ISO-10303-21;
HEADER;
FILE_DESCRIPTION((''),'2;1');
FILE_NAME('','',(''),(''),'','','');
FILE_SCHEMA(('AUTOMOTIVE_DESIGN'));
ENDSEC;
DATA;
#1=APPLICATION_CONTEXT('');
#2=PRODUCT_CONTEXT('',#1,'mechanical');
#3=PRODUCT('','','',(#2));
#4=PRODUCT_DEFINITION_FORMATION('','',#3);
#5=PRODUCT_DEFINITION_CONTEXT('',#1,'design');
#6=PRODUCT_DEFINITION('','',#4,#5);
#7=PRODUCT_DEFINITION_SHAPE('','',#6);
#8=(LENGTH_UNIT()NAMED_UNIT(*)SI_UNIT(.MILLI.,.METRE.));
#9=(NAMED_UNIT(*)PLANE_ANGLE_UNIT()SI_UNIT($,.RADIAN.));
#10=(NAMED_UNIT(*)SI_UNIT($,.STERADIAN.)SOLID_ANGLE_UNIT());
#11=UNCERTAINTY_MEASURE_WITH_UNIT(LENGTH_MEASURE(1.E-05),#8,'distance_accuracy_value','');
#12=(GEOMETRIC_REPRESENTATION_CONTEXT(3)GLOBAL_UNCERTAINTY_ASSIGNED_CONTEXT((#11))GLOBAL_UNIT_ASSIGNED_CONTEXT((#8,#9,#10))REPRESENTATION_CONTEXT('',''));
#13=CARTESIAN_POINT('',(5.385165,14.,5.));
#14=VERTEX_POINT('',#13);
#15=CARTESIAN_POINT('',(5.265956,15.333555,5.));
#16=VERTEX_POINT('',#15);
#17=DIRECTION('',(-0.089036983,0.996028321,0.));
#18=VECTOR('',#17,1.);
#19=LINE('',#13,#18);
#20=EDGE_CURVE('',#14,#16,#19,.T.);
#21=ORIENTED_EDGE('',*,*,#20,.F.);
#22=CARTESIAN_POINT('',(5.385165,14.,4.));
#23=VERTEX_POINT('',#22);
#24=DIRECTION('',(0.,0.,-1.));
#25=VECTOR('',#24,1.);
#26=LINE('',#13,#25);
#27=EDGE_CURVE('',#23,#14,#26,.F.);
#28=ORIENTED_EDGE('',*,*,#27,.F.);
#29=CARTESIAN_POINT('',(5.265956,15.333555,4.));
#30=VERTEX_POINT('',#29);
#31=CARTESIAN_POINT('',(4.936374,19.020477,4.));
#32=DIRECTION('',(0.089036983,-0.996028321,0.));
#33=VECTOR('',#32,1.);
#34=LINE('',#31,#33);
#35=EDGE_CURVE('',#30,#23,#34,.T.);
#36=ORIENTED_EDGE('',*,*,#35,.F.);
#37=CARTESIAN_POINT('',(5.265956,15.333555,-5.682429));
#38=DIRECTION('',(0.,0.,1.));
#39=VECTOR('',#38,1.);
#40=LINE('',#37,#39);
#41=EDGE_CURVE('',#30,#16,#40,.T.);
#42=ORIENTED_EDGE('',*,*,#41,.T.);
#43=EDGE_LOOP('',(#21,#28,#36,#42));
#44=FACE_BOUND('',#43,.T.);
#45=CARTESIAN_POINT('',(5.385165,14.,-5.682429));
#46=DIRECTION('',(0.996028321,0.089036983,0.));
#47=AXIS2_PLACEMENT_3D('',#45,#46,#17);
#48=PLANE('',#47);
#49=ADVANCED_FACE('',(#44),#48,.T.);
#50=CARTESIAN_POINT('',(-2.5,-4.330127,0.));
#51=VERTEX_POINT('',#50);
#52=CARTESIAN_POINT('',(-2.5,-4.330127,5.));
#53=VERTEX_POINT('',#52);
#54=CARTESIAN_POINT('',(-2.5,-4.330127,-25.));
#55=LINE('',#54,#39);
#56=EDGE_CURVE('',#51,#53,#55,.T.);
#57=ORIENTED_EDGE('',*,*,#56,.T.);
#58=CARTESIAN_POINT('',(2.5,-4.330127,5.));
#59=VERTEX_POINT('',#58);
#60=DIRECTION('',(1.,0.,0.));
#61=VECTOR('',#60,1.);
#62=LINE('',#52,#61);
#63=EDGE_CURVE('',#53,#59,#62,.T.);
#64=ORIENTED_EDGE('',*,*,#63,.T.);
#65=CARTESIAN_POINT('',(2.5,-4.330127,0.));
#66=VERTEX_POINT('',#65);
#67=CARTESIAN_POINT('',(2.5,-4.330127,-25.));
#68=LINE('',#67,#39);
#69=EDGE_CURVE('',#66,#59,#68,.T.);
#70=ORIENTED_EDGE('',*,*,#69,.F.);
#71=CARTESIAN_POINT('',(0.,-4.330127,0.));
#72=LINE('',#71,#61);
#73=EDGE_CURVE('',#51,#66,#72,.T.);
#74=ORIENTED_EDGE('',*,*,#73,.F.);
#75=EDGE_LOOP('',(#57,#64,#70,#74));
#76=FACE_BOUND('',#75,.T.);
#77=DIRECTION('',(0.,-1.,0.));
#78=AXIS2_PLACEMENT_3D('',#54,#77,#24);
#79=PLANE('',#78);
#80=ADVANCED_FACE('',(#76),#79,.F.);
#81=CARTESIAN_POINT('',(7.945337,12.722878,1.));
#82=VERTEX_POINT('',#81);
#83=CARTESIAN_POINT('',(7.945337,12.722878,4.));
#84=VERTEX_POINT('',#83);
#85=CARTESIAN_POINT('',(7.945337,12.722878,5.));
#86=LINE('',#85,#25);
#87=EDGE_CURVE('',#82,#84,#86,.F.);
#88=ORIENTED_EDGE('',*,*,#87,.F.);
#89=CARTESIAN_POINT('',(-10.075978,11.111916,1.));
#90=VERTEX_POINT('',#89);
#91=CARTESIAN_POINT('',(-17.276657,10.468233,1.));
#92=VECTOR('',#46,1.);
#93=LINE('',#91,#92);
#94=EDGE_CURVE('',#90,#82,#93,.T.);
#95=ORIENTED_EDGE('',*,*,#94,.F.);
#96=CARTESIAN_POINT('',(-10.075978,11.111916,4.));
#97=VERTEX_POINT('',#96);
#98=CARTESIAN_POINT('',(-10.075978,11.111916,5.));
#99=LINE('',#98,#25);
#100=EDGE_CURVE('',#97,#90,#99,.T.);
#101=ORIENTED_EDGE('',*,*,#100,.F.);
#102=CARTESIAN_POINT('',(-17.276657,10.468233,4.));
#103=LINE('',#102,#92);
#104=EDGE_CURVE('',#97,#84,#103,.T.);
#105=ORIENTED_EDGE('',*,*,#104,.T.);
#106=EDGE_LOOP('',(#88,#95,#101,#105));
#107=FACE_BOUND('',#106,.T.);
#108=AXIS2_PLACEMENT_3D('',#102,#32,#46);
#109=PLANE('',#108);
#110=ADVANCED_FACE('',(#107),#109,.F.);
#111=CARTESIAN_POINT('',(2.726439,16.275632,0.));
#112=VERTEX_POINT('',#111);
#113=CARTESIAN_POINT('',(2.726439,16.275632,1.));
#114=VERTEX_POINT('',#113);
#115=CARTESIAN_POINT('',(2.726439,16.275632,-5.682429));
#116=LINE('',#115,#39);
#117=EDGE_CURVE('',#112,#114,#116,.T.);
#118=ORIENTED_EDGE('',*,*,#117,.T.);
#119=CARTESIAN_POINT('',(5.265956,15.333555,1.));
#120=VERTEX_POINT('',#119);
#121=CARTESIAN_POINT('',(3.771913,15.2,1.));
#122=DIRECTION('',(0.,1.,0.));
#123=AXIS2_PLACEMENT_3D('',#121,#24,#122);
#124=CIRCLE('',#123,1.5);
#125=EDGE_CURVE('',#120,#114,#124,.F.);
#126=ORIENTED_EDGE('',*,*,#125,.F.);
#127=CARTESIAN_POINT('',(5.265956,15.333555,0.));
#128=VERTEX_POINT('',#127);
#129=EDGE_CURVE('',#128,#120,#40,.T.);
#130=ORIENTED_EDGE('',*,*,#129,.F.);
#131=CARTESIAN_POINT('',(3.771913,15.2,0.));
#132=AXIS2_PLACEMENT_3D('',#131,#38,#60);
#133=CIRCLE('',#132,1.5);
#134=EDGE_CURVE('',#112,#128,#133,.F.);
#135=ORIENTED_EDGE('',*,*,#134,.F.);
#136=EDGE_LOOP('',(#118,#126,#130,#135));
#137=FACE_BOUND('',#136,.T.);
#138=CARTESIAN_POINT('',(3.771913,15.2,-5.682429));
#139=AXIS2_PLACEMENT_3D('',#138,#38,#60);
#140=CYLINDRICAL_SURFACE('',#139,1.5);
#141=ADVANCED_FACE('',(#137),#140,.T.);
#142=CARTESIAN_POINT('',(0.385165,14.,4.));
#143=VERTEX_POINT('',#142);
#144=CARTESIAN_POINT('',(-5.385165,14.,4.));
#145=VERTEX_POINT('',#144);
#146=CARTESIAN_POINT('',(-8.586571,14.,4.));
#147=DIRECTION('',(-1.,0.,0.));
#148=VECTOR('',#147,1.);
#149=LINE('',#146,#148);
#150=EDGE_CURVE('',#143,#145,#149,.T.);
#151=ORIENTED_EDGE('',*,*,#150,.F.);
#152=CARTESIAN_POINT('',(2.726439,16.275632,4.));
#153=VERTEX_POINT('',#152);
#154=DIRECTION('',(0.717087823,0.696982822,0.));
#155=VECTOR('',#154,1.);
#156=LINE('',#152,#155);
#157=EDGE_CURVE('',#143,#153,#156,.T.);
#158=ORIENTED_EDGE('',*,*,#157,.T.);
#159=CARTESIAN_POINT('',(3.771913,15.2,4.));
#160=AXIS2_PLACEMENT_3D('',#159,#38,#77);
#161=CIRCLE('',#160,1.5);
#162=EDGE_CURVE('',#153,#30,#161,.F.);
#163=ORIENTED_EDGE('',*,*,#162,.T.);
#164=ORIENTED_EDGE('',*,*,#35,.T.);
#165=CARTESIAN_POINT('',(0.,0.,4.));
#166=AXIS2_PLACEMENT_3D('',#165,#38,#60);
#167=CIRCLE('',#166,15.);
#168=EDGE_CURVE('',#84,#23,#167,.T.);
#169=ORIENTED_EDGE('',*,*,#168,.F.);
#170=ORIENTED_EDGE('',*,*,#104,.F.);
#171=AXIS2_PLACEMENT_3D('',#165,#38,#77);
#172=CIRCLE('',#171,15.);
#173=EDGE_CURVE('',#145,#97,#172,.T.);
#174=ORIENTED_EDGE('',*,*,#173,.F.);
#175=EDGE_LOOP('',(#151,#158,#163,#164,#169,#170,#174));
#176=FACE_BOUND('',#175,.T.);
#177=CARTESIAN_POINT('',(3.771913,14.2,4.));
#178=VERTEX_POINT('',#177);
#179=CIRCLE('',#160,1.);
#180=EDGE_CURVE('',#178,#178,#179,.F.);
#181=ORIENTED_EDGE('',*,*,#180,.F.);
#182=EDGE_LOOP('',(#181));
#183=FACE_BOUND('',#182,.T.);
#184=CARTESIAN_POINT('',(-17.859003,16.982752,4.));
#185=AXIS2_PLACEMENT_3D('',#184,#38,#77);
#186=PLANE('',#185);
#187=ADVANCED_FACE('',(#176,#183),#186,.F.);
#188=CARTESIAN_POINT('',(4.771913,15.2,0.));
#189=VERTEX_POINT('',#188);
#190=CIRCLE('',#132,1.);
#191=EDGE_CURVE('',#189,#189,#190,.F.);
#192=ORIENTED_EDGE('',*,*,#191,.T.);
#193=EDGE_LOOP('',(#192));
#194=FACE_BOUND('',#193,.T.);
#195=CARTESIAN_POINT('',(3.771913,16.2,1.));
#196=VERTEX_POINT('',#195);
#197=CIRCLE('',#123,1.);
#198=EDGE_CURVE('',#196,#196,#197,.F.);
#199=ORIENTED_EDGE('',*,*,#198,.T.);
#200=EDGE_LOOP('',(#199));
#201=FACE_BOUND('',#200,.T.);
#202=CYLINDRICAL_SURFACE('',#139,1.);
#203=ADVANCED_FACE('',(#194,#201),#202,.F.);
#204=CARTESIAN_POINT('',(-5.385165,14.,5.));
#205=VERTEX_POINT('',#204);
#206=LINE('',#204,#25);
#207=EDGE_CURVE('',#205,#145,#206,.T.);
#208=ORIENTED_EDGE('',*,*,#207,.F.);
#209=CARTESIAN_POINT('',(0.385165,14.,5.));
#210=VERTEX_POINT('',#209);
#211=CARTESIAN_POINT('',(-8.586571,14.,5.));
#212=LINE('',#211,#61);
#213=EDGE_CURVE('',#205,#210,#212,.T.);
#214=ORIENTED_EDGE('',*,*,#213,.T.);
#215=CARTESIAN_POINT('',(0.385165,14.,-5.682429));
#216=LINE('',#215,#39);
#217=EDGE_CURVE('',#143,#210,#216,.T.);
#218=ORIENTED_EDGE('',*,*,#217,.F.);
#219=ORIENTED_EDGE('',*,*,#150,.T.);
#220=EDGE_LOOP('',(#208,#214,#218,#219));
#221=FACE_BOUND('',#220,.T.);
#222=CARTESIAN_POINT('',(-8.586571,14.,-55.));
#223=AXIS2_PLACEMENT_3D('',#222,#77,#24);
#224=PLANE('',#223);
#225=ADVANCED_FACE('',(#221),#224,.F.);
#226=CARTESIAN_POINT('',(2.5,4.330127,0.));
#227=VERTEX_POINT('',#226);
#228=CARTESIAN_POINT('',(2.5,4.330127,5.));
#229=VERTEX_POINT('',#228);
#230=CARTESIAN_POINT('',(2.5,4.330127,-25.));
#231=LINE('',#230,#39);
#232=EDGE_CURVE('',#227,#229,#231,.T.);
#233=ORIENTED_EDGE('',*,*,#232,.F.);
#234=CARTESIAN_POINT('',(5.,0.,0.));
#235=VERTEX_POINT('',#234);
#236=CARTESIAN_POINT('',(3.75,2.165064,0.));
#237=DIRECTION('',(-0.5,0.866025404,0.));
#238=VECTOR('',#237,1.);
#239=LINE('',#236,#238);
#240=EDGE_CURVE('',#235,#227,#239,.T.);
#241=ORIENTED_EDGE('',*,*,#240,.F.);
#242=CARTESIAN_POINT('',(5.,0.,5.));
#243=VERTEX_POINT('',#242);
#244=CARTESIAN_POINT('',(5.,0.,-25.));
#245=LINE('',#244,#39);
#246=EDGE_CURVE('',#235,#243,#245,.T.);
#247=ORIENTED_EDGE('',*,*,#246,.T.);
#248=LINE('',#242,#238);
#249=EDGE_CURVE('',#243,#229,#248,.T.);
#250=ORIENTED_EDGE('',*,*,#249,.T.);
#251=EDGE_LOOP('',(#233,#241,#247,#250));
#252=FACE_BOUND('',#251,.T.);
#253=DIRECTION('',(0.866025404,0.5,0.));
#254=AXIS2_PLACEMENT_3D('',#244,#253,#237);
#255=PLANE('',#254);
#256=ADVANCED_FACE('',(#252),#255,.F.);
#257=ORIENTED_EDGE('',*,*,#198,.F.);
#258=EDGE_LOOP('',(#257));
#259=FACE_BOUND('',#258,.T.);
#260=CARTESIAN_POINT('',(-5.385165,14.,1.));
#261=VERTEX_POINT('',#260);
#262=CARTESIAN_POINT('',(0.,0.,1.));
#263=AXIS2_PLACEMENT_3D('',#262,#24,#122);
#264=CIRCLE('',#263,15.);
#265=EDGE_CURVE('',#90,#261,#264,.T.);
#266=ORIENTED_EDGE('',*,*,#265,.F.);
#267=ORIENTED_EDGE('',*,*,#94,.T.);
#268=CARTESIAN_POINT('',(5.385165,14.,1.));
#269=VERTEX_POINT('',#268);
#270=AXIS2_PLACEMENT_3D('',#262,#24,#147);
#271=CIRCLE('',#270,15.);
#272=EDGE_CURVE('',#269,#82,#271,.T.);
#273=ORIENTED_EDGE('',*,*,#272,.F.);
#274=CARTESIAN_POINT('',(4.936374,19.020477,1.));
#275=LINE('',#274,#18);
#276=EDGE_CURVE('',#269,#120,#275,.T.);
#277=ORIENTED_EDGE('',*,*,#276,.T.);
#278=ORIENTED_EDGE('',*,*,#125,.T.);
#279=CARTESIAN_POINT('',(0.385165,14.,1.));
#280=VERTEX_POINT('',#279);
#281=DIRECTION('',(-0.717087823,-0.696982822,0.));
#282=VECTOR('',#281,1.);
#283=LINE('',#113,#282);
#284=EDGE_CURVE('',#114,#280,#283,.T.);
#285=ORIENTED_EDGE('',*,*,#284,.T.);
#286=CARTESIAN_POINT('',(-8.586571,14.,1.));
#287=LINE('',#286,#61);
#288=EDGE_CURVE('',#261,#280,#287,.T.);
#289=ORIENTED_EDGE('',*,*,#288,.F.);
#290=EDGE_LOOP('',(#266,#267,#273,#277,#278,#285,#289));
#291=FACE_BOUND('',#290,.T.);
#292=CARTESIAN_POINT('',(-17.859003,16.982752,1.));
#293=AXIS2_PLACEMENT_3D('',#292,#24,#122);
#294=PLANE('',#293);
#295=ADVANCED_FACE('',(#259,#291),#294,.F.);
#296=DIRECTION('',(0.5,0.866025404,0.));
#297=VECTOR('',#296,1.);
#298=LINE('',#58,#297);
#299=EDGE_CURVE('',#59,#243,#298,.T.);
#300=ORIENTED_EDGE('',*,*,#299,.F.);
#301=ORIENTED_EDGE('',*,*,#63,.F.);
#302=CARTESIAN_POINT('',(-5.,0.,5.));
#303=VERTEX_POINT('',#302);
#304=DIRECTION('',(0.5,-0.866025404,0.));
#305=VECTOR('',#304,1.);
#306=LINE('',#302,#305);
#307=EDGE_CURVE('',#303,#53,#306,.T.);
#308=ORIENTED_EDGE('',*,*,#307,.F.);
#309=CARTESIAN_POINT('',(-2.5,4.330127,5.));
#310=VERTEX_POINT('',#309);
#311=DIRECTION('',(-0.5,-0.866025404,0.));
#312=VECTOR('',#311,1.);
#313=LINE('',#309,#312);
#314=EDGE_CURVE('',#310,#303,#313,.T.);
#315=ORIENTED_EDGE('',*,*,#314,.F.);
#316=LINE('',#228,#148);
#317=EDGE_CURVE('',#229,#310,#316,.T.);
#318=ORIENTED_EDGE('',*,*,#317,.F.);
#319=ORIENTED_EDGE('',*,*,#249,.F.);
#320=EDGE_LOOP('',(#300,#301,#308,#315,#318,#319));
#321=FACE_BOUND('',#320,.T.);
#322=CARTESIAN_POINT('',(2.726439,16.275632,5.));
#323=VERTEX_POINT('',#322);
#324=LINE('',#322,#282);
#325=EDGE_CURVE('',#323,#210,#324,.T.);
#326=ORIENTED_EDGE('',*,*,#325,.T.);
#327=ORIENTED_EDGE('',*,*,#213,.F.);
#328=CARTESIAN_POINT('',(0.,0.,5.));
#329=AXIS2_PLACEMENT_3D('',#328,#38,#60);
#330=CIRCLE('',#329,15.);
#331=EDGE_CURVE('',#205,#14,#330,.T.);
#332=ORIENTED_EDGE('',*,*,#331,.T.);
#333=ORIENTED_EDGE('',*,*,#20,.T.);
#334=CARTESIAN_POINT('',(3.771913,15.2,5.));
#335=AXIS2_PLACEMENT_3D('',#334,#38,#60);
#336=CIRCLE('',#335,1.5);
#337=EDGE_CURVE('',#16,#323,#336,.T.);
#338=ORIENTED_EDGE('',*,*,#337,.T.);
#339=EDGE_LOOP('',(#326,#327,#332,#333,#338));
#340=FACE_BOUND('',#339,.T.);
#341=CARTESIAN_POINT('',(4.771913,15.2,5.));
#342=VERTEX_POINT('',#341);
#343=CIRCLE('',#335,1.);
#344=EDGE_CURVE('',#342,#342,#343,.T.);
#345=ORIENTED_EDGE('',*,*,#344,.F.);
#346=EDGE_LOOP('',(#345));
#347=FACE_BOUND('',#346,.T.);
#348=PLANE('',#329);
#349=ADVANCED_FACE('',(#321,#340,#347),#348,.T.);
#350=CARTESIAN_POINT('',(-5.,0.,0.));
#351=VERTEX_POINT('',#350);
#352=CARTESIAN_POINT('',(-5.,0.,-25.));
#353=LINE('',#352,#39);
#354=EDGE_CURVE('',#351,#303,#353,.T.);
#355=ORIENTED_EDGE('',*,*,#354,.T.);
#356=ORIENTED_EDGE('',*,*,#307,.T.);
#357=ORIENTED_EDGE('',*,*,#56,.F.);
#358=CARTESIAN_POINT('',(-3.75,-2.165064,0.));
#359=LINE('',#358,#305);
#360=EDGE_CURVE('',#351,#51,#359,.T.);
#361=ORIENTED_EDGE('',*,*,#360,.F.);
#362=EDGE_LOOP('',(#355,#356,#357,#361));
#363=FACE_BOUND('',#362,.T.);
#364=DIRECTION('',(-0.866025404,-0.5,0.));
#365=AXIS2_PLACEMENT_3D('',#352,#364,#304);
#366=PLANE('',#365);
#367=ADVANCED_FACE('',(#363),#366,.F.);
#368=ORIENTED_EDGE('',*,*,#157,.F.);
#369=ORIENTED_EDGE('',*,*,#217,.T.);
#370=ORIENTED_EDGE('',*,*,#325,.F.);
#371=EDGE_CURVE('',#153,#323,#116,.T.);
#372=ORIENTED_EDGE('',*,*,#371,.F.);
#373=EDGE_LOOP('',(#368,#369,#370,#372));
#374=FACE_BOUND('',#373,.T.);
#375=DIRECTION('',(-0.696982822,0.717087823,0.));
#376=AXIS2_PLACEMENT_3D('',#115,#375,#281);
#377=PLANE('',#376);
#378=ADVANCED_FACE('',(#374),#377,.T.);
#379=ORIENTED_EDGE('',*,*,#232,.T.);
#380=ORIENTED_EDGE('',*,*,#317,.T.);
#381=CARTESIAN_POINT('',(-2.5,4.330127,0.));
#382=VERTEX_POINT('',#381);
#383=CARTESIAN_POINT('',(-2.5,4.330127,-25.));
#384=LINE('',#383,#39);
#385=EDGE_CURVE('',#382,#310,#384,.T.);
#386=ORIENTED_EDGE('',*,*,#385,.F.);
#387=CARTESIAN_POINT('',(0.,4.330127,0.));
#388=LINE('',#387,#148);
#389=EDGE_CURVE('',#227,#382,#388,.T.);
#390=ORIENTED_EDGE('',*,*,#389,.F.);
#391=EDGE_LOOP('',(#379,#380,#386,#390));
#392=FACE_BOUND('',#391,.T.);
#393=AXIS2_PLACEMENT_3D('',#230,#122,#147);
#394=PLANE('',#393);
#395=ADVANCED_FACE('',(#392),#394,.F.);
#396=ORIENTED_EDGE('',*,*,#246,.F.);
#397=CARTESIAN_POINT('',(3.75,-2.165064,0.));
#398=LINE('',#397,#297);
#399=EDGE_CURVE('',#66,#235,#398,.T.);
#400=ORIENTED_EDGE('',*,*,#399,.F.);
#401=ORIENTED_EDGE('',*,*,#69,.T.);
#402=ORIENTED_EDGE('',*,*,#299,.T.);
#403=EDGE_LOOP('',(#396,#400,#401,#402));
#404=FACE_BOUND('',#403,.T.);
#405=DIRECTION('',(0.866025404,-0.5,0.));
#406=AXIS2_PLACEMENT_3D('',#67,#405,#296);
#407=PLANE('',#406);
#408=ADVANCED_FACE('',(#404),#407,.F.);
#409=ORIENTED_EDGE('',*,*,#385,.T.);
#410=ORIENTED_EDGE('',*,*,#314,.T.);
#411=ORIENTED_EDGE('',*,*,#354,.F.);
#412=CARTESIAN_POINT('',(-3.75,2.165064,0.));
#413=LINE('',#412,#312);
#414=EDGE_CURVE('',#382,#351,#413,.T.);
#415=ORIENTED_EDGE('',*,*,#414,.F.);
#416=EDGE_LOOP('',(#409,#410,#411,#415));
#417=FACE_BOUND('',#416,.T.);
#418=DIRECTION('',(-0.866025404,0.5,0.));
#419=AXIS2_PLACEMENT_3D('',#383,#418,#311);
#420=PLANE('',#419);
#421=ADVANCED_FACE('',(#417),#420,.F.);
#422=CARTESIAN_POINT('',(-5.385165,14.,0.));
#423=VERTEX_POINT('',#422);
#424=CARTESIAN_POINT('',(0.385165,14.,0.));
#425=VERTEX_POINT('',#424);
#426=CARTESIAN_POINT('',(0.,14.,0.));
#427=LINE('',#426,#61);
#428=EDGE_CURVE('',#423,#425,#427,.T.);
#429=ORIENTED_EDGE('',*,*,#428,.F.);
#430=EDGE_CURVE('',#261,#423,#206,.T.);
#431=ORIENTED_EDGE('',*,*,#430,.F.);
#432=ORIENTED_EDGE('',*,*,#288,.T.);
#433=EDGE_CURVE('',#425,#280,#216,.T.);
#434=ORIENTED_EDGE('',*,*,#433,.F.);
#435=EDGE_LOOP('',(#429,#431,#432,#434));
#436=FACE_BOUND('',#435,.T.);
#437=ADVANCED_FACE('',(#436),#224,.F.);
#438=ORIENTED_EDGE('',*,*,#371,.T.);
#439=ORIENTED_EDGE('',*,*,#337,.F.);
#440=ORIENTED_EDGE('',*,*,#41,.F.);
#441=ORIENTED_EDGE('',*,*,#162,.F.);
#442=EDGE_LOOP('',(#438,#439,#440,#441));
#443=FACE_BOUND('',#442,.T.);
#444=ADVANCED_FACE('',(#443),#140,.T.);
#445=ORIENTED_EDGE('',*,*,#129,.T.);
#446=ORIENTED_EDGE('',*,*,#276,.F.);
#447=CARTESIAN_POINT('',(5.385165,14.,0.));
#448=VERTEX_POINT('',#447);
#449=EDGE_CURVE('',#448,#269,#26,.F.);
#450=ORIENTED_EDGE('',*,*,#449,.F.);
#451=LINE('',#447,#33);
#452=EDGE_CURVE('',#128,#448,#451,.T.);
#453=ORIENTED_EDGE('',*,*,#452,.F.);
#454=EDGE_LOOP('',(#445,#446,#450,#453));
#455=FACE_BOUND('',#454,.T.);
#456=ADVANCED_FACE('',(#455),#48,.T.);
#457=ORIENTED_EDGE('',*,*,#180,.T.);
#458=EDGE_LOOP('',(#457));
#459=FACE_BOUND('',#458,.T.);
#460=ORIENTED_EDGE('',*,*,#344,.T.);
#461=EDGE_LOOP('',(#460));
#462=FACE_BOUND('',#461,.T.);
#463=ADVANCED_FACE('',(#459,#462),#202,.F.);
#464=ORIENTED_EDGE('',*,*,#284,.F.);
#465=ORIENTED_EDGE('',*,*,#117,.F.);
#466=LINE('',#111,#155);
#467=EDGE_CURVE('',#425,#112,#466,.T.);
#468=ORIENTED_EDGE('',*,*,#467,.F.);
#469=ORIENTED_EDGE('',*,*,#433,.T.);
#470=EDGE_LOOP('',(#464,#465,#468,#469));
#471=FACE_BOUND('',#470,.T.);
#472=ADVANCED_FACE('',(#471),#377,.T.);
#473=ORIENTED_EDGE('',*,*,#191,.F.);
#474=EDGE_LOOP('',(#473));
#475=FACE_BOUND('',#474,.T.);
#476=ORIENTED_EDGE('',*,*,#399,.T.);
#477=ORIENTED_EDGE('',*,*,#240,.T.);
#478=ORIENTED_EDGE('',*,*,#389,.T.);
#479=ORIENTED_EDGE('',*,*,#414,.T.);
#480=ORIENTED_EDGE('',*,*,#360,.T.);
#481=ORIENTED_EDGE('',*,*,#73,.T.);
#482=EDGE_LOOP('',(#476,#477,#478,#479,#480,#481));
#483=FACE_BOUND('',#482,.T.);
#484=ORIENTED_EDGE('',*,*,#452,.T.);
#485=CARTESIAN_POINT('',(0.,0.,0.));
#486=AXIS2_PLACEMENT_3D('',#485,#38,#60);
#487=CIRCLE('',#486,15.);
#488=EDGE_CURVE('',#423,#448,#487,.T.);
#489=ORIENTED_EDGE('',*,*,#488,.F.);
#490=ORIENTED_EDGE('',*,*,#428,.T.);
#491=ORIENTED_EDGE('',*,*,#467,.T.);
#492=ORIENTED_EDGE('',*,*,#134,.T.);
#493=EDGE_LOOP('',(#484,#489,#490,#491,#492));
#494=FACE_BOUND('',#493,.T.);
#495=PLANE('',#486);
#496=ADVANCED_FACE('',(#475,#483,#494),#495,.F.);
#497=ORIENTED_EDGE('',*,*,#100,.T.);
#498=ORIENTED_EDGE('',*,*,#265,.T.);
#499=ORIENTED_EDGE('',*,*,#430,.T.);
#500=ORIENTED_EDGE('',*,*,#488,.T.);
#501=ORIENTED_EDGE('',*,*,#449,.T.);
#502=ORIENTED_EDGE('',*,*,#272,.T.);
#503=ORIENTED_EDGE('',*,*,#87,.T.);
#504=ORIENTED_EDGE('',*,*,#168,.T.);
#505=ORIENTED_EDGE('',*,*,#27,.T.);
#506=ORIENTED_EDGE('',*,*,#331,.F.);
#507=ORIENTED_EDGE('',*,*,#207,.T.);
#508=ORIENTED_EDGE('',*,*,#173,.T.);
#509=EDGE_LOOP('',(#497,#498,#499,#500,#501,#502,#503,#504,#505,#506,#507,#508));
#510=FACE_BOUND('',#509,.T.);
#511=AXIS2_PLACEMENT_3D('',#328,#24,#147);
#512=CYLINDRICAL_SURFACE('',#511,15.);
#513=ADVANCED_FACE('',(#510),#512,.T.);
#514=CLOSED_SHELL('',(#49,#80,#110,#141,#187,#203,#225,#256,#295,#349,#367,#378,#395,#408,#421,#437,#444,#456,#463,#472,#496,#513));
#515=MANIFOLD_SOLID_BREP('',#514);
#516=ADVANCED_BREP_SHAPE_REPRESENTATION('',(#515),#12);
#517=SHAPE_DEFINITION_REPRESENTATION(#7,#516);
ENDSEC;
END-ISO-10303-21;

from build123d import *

# Parameters (mm, degrees)
SKETCH_1_R               = 15
EXTRUDE_1_DEPTH          = 5
CUT_EXTRUDE_1_DEPTH      = 30
CUT_EXTRUDE_2_DEPTH      = 60
SKETCH_4_R               = 1
EXTRUDE_2_DEPTH          = 5
SKETCH_5_W               = 3
SKETCH_5_H               = 5.040496026
CUT_EXTRUDE_3_DEPTH      = 28.39432933
CUT_EXTRUDE_4_DEPTH      = 28.39432933
CUT_EXTRUDE_4_DEPTH_BACK = 28.39432933
SKETCH_6_W               = 3
SKETCH_6_H               = 1.5


with BuildPart() as part:
    # 草图1 → 凸台-拉伸1 (new body)
    with BuildSketch(Plane.XY):
        Circle(SKETCH_1_R)
    extrude(amount=EXTRUDE_1_DEPTH)

    # 草图2 → 切除-拉伸1 (cut)
    with BuildSketch(Plane.XY.offset(5)):
        Polygon((-2.5, -4.330127019), (2.5, -4.330127019), (5, 0), (2.5, 4.330127019), (-2.5, 4.330127019), (-5, 0), align=None)
    extrude(amount=-CUT_EXTRUDE_1_DEPTH, mode=Mode.SUBTRACT)

    # 草图3 → 切除-拉伸2 (cut)
    with BuildSketch(Plane.XY.offset(5)):
        Polygon((-8.586571111, 14), (9.123789919, 14), (-0.951474436, 18.675160858), align=None)
    extrude(amount=-CUT_EXTRUDE_2_DEPTH, mode=Mode.SUBTRACT)

    # 草图4 → 凸台-拉伸2 (add)
    with BuildSketch(Plane.XY.offset(5)):
        with BuildLine():
            Line((5.385164807, 14), (5.26595559, 15.333555474))
            ThreePointArc((5.26595559, 15.333555474), (4.293622117, 16.606349783), (2.726438877, 16.275631735))
            Line((2.726438877, 16.275631735), (0.385164807, 14))
            Line((0.385164807, 14), (5.385164807, 14))
        make_face()
        with Locations((3.771913109, 15.2)):
            Circle(SKETCH_4_R, mode=Mode.SUBTRACT)
    extrude(amount=-EXTRUDE_2_DEPTH)

    # 草图5 → 切除-拉伸3 (cut, through all)
    with BuildSketch(Plane(origin=(6.584040452, 0.588560672, 0), x_dir=(0, 0, -1), z_dir=(0.996028320712149, 0.08903698298648982, 0))):
        with Locations((-2.5, 15.985165676)):
            Rectangle(SKETCH_5_W, SKETCH_5_H)
    extrude(amount=-CUT_EXTRUDE_3_DEPTH, mode=Mode.SUBTRACT)

    # 草图6 → 切除-拉伸4 (cut, two sides: drawn at the far end of the back side and taken through both)
    with BuildSketch(Plane(origin=(6.584040452, 0.588560672, 0), x_dir=(0, 0, -1), z_dir=(0.996028320712149, 0.08903698298649015, 0)).offset(-CUT_EXTRUDE_4_DEPTH_BACK)):
        with Locations((-2.5, 12.714917663)):
            Rectangle(SKETCH_6_W, SKETCH_6_H)
    extrude(amount=CUT_EXTRUDE_4_DEPTH + CUT_EXTRUDE_4_DEPTH_BACK, mode=Mode.SUBTRACT)


solid = part.part
